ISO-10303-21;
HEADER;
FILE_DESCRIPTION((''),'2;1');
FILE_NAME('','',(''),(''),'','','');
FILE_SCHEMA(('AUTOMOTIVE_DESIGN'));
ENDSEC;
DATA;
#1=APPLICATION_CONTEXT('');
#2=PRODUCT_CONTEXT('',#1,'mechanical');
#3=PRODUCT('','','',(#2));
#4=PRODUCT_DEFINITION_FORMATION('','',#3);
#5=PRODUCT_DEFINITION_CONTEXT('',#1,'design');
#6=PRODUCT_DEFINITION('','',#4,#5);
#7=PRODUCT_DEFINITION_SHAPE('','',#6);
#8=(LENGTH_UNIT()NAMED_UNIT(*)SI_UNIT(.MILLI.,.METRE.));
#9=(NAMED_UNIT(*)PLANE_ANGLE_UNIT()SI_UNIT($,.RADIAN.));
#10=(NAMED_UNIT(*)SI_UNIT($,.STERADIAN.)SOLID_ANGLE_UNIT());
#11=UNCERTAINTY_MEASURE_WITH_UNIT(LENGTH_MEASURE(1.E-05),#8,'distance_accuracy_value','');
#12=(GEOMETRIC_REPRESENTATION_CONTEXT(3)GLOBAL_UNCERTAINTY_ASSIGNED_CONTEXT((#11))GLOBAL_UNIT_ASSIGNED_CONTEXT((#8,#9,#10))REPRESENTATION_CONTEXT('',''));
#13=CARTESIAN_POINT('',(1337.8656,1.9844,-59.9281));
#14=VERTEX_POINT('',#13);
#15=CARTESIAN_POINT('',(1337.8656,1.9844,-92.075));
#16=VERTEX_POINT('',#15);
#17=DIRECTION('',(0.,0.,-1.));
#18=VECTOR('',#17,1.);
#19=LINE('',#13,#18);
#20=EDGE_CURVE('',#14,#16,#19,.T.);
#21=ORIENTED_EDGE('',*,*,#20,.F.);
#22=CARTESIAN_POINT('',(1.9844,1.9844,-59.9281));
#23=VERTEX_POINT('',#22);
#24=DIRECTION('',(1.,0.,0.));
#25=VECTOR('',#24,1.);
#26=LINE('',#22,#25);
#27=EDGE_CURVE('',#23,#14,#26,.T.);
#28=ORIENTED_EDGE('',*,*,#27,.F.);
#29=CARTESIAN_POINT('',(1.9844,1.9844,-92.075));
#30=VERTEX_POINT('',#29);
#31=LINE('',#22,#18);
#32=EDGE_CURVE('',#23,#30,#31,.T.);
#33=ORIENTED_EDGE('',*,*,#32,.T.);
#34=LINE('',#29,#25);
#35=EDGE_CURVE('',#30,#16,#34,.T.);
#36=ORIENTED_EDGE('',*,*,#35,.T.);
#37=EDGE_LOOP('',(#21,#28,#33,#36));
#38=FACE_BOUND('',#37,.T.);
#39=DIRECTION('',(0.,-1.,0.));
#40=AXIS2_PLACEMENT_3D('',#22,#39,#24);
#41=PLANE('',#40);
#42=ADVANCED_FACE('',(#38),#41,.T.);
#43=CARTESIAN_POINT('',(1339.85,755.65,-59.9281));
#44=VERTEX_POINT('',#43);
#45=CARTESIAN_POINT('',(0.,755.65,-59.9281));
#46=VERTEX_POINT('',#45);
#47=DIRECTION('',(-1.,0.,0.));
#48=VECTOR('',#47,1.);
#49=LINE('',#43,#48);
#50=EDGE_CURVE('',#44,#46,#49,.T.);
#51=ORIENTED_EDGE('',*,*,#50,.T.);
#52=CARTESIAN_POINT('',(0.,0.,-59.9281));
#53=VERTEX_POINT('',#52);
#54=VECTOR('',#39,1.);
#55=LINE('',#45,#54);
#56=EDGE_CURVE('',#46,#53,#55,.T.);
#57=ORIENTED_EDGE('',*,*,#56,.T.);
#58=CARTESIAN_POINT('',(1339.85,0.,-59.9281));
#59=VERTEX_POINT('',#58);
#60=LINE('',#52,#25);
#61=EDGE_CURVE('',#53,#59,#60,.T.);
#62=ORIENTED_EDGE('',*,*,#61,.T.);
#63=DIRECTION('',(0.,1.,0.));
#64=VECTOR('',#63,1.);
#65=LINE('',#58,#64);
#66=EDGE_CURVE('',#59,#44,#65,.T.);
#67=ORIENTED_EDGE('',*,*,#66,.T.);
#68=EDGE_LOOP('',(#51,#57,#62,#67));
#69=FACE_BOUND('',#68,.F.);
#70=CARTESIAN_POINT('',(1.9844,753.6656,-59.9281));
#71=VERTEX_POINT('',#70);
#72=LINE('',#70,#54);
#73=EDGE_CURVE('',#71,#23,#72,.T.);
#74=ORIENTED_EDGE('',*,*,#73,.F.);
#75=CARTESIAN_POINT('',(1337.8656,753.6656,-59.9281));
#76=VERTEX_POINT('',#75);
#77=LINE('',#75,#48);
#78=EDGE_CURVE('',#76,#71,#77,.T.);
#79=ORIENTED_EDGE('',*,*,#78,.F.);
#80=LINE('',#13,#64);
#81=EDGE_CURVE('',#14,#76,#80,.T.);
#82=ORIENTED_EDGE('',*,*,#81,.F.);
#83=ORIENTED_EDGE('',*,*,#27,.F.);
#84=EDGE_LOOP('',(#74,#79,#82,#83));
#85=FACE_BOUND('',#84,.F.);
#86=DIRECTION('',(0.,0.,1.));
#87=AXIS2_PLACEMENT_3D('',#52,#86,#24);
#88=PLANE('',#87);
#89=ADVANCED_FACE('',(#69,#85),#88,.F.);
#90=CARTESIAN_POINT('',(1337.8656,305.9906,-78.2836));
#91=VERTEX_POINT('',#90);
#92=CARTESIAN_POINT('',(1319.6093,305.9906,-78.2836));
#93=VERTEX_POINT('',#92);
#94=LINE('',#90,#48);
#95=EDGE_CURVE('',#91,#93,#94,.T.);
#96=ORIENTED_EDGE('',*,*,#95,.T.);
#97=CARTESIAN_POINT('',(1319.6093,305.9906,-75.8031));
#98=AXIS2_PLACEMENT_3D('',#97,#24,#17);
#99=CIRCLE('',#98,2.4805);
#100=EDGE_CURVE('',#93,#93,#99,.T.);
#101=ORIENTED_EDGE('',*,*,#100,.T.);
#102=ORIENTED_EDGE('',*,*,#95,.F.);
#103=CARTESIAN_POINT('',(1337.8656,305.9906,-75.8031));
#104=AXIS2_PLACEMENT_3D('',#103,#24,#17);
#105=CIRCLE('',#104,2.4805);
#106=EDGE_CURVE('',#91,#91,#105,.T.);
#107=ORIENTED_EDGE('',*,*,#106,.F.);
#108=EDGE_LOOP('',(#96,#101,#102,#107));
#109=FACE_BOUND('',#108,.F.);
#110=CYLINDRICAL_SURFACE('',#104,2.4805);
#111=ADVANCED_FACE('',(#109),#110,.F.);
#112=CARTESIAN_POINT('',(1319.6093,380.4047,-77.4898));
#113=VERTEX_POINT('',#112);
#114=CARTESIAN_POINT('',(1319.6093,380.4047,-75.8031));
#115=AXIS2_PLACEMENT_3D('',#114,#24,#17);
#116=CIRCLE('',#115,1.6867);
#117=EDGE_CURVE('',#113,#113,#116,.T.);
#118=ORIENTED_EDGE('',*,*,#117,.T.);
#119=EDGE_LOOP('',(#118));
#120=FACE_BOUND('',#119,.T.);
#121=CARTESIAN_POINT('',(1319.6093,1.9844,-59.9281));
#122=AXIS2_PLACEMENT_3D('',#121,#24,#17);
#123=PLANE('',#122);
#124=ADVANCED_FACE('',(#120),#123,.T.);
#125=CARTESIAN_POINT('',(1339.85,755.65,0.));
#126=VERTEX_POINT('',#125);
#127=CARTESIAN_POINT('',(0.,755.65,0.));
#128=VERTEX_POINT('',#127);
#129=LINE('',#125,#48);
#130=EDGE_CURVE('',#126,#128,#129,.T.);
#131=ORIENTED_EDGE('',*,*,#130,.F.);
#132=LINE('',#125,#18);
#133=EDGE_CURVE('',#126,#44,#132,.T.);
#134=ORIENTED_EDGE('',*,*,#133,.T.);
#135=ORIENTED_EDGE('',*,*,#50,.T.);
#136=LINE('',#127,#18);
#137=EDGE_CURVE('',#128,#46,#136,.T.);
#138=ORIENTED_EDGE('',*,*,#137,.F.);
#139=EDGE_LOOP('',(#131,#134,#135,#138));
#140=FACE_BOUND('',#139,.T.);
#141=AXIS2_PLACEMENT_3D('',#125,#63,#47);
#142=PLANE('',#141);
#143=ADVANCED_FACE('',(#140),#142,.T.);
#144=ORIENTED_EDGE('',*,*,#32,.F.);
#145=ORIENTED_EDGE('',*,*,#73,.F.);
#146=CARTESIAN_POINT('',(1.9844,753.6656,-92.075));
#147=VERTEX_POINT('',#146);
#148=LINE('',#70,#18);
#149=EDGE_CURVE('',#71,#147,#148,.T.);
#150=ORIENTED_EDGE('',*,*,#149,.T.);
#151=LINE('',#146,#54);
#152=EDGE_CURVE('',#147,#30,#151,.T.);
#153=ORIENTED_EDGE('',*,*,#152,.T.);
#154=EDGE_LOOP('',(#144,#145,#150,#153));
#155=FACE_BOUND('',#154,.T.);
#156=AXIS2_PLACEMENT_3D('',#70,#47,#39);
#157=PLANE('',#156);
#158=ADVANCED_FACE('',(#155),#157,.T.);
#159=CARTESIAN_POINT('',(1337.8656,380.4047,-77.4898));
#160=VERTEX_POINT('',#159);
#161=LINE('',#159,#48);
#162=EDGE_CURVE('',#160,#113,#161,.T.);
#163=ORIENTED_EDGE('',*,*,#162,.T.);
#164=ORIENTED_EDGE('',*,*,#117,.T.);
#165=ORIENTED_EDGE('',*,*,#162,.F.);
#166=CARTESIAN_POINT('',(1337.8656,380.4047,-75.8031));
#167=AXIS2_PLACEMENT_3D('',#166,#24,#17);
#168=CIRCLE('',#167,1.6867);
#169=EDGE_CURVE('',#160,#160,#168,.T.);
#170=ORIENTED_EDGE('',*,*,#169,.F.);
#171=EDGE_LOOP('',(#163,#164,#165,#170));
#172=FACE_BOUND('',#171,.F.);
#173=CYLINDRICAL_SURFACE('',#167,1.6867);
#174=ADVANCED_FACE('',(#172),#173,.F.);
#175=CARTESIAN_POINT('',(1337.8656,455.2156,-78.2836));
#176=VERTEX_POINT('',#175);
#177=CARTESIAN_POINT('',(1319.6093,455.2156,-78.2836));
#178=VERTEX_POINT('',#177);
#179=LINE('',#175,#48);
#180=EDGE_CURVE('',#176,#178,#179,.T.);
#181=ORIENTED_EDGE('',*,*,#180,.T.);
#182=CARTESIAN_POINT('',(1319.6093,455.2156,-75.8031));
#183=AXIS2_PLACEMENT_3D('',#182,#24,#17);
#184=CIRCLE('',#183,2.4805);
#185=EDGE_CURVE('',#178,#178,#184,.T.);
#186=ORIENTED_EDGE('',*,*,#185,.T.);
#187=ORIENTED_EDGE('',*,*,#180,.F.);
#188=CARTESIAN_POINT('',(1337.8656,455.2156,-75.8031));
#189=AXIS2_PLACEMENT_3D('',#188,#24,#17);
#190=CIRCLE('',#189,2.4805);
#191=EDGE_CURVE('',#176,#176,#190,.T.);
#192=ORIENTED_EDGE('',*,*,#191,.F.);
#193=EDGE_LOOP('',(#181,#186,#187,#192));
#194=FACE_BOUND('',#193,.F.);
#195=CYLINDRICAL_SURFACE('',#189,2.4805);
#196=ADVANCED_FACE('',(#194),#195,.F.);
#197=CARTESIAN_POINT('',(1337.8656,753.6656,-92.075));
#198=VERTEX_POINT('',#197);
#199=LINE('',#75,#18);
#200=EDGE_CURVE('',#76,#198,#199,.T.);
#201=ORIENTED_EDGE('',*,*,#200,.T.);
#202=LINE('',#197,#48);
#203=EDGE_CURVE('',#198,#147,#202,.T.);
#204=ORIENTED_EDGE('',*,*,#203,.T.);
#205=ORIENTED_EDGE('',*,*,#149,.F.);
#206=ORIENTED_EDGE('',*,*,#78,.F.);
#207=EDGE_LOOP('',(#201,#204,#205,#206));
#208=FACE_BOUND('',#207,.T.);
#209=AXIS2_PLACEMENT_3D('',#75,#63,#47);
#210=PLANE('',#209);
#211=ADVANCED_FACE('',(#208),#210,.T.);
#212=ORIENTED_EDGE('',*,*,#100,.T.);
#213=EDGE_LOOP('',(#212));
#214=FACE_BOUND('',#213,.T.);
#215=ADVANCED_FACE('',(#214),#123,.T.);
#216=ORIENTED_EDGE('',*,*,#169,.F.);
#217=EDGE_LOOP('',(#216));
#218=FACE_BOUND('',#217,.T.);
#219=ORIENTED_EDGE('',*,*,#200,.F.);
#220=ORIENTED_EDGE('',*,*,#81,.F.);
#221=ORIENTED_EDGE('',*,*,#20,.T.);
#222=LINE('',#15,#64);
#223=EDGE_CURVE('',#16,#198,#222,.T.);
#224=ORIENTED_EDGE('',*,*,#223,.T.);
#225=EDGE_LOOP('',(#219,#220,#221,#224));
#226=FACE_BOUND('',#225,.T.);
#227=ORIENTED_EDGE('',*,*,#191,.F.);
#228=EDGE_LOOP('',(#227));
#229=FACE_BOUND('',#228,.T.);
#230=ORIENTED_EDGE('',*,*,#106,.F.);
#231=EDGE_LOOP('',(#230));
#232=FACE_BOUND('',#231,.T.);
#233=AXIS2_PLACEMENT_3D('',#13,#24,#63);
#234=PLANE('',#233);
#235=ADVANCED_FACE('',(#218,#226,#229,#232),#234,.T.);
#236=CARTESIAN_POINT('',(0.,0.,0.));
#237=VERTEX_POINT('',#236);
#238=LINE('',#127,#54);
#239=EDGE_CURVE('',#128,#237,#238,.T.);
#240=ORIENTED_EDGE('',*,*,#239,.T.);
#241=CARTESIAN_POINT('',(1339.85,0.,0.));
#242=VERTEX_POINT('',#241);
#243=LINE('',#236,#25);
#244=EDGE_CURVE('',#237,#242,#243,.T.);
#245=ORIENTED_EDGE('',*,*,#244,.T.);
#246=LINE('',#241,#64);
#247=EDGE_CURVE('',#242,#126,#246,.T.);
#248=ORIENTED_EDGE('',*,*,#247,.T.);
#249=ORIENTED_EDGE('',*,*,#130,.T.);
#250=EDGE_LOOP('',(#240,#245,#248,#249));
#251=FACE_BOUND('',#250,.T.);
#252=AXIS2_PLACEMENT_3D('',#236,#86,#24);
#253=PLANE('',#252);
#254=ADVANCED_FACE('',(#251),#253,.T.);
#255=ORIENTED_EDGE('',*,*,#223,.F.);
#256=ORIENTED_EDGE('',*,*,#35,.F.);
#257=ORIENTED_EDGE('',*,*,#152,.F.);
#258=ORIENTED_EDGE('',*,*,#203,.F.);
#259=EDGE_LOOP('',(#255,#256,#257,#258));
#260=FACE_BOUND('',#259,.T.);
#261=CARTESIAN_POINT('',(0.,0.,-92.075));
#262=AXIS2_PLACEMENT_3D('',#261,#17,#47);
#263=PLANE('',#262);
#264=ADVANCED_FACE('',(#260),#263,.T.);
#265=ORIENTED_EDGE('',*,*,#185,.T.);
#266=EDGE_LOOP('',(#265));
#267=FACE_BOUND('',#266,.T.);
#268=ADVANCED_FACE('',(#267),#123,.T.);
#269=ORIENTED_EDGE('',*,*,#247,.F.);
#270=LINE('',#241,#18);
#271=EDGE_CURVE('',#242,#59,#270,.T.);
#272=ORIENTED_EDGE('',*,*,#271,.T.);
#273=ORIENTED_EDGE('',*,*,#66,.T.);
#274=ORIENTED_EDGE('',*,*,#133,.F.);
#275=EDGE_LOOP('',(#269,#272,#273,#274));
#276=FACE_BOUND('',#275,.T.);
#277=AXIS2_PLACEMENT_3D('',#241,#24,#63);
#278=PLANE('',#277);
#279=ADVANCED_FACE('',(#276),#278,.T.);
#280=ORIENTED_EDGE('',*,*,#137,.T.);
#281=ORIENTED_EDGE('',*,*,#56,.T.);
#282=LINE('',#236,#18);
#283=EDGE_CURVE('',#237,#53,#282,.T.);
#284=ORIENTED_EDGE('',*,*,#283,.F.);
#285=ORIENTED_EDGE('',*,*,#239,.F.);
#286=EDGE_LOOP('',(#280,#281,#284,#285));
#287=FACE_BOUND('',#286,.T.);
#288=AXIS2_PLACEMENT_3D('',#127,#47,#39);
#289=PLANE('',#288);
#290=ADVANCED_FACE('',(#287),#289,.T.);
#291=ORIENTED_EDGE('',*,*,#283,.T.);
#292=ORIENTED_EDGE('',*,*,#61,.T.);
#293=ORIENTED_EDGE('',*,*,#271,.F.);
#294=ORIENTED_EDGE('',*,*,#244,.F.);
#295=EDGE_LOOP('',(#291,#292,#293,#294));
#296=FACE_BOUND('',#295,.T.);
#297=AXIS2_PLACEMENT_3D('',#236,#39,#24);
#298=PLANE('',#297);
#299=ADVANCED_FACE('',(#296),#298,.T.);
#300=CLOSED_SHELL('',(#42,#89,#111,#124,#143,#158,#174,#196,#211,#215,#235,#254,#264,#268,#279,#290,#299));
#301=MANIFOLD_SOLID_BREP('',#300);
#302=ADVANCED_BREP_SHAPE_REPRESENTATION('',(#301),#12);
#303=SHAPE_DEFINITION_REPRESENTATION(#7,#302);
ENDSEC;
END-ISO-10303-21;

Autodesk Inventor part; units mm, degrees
ref_plane "YZ Plane" through (0, 0, 0) normal (1, 0, 0) x (0, 1, 0)
ref_plane "XZ Plane" through (0, 0, 0) normal (0, 1, 0) x (-1, 0, 0)
ref_plane "XY Plane" through (0, 0, 0) normal (0, 0, 1) x (1, 0, 0)
sketch "Sketch1" plane through (0, 0, 0) normal (0, 0, 1) x (1, 0, 0)
  line L0 (0, 0) -> (1339.85, 0)
  line L1 (1339.85, 0) -> (1339.85, 755.65)
  line L2 (1339.85, 755.65) -> (0, 755.65)
  line L3 (0, 755.65) -> (0, 0)
  dimension "tvWidth" = 1339.85
  dimension "tvHeight" = 755.65
  dimension "tvDiagonal" = 1538.2474
extrude "Extrusion1" add sketch "Sketch1" against normal blind 59.9281
sketch "Sketch2" plane through (0, 0, -59.9281) normal (0, 0, -1) x (-1, 0, 0)
  line L0 (-1339.85, 0) -> (-1339.85, 755.65) projected
  line L1 (0, 0) -> (-1339.85, 0) projected
  line L2 (0, 755.65) -> (0, 0) projected
  line L3 (-1339.85, 755.65) -> (0, 755.65) projected
  line L4 (-1337.8656, 753.6656) -> (-1.9844, 753.6656)
  line L5 (-1.9844, 753.6656) -> (-1.9844, 1.9844)
  line L6 (-1.9844, 1.9844) -> (-1337.8656, 1.9844)
  line L7 (-1337.8656, 1.9844) -> (-1337.8656, 753.6656)
  dimension "backBezelToFrontBezelSizeDifference" = 1.9844
  dimension "d7" = 1.9844
  dimension "d8" = 1.9844
  dimension "d9" = 1.9844
extrude "Extrusion2" add sketch "Sketch2" along normal blind 32.1469 contours L4 L5 L6 L7
sketch "Sketch3" plane through (1337.8656, 1.9844, -59.9281) normal (1, 0, 0) x (0, 0, -1)
  line L0 (32.1469, 0) -> (32.1469, 751.6812) projected
  line L1 (0, 751.6812) -> (32.1469, 751.6812) projected
  circle A0 centre (15.875, 453.2312) radius 2.4805
  circle A1 centre (15.875, 304.0062) radius 2.4805
  circle A2 centre (15.875, 378.4203) radius 1.6867
  line L2 (-59.9281, -1.9844) -> (-59.9281, 753.6656) projected
  dimension "largeScrewDistance" = 149.225
  dimension "largeScrewToSmallScrewDistance" = 74.8109
  dimension "screwDistanceFromBack" = 16.2719
  dimension "topLargeScrewDistanceFromTop" = 298.45
  dimension "largeScrewDiameter" = 4.9609
  dimension "smallScrewDiameter" = 3.3734
  dimension "screwDistanceFromFront" = 75.8031
extrude "Extrusion3" cut sketch "Sketch3" against normal blind 18.2563
equation "\"d7\" = backBezelToFrontBezelSizeDifference"
equation "\"d8\" = backBezelToFrontBezelSizeDifference"
equation "\"d9\" = backBezelToFrontBezelSizeDifference"
properties part number "tv"
